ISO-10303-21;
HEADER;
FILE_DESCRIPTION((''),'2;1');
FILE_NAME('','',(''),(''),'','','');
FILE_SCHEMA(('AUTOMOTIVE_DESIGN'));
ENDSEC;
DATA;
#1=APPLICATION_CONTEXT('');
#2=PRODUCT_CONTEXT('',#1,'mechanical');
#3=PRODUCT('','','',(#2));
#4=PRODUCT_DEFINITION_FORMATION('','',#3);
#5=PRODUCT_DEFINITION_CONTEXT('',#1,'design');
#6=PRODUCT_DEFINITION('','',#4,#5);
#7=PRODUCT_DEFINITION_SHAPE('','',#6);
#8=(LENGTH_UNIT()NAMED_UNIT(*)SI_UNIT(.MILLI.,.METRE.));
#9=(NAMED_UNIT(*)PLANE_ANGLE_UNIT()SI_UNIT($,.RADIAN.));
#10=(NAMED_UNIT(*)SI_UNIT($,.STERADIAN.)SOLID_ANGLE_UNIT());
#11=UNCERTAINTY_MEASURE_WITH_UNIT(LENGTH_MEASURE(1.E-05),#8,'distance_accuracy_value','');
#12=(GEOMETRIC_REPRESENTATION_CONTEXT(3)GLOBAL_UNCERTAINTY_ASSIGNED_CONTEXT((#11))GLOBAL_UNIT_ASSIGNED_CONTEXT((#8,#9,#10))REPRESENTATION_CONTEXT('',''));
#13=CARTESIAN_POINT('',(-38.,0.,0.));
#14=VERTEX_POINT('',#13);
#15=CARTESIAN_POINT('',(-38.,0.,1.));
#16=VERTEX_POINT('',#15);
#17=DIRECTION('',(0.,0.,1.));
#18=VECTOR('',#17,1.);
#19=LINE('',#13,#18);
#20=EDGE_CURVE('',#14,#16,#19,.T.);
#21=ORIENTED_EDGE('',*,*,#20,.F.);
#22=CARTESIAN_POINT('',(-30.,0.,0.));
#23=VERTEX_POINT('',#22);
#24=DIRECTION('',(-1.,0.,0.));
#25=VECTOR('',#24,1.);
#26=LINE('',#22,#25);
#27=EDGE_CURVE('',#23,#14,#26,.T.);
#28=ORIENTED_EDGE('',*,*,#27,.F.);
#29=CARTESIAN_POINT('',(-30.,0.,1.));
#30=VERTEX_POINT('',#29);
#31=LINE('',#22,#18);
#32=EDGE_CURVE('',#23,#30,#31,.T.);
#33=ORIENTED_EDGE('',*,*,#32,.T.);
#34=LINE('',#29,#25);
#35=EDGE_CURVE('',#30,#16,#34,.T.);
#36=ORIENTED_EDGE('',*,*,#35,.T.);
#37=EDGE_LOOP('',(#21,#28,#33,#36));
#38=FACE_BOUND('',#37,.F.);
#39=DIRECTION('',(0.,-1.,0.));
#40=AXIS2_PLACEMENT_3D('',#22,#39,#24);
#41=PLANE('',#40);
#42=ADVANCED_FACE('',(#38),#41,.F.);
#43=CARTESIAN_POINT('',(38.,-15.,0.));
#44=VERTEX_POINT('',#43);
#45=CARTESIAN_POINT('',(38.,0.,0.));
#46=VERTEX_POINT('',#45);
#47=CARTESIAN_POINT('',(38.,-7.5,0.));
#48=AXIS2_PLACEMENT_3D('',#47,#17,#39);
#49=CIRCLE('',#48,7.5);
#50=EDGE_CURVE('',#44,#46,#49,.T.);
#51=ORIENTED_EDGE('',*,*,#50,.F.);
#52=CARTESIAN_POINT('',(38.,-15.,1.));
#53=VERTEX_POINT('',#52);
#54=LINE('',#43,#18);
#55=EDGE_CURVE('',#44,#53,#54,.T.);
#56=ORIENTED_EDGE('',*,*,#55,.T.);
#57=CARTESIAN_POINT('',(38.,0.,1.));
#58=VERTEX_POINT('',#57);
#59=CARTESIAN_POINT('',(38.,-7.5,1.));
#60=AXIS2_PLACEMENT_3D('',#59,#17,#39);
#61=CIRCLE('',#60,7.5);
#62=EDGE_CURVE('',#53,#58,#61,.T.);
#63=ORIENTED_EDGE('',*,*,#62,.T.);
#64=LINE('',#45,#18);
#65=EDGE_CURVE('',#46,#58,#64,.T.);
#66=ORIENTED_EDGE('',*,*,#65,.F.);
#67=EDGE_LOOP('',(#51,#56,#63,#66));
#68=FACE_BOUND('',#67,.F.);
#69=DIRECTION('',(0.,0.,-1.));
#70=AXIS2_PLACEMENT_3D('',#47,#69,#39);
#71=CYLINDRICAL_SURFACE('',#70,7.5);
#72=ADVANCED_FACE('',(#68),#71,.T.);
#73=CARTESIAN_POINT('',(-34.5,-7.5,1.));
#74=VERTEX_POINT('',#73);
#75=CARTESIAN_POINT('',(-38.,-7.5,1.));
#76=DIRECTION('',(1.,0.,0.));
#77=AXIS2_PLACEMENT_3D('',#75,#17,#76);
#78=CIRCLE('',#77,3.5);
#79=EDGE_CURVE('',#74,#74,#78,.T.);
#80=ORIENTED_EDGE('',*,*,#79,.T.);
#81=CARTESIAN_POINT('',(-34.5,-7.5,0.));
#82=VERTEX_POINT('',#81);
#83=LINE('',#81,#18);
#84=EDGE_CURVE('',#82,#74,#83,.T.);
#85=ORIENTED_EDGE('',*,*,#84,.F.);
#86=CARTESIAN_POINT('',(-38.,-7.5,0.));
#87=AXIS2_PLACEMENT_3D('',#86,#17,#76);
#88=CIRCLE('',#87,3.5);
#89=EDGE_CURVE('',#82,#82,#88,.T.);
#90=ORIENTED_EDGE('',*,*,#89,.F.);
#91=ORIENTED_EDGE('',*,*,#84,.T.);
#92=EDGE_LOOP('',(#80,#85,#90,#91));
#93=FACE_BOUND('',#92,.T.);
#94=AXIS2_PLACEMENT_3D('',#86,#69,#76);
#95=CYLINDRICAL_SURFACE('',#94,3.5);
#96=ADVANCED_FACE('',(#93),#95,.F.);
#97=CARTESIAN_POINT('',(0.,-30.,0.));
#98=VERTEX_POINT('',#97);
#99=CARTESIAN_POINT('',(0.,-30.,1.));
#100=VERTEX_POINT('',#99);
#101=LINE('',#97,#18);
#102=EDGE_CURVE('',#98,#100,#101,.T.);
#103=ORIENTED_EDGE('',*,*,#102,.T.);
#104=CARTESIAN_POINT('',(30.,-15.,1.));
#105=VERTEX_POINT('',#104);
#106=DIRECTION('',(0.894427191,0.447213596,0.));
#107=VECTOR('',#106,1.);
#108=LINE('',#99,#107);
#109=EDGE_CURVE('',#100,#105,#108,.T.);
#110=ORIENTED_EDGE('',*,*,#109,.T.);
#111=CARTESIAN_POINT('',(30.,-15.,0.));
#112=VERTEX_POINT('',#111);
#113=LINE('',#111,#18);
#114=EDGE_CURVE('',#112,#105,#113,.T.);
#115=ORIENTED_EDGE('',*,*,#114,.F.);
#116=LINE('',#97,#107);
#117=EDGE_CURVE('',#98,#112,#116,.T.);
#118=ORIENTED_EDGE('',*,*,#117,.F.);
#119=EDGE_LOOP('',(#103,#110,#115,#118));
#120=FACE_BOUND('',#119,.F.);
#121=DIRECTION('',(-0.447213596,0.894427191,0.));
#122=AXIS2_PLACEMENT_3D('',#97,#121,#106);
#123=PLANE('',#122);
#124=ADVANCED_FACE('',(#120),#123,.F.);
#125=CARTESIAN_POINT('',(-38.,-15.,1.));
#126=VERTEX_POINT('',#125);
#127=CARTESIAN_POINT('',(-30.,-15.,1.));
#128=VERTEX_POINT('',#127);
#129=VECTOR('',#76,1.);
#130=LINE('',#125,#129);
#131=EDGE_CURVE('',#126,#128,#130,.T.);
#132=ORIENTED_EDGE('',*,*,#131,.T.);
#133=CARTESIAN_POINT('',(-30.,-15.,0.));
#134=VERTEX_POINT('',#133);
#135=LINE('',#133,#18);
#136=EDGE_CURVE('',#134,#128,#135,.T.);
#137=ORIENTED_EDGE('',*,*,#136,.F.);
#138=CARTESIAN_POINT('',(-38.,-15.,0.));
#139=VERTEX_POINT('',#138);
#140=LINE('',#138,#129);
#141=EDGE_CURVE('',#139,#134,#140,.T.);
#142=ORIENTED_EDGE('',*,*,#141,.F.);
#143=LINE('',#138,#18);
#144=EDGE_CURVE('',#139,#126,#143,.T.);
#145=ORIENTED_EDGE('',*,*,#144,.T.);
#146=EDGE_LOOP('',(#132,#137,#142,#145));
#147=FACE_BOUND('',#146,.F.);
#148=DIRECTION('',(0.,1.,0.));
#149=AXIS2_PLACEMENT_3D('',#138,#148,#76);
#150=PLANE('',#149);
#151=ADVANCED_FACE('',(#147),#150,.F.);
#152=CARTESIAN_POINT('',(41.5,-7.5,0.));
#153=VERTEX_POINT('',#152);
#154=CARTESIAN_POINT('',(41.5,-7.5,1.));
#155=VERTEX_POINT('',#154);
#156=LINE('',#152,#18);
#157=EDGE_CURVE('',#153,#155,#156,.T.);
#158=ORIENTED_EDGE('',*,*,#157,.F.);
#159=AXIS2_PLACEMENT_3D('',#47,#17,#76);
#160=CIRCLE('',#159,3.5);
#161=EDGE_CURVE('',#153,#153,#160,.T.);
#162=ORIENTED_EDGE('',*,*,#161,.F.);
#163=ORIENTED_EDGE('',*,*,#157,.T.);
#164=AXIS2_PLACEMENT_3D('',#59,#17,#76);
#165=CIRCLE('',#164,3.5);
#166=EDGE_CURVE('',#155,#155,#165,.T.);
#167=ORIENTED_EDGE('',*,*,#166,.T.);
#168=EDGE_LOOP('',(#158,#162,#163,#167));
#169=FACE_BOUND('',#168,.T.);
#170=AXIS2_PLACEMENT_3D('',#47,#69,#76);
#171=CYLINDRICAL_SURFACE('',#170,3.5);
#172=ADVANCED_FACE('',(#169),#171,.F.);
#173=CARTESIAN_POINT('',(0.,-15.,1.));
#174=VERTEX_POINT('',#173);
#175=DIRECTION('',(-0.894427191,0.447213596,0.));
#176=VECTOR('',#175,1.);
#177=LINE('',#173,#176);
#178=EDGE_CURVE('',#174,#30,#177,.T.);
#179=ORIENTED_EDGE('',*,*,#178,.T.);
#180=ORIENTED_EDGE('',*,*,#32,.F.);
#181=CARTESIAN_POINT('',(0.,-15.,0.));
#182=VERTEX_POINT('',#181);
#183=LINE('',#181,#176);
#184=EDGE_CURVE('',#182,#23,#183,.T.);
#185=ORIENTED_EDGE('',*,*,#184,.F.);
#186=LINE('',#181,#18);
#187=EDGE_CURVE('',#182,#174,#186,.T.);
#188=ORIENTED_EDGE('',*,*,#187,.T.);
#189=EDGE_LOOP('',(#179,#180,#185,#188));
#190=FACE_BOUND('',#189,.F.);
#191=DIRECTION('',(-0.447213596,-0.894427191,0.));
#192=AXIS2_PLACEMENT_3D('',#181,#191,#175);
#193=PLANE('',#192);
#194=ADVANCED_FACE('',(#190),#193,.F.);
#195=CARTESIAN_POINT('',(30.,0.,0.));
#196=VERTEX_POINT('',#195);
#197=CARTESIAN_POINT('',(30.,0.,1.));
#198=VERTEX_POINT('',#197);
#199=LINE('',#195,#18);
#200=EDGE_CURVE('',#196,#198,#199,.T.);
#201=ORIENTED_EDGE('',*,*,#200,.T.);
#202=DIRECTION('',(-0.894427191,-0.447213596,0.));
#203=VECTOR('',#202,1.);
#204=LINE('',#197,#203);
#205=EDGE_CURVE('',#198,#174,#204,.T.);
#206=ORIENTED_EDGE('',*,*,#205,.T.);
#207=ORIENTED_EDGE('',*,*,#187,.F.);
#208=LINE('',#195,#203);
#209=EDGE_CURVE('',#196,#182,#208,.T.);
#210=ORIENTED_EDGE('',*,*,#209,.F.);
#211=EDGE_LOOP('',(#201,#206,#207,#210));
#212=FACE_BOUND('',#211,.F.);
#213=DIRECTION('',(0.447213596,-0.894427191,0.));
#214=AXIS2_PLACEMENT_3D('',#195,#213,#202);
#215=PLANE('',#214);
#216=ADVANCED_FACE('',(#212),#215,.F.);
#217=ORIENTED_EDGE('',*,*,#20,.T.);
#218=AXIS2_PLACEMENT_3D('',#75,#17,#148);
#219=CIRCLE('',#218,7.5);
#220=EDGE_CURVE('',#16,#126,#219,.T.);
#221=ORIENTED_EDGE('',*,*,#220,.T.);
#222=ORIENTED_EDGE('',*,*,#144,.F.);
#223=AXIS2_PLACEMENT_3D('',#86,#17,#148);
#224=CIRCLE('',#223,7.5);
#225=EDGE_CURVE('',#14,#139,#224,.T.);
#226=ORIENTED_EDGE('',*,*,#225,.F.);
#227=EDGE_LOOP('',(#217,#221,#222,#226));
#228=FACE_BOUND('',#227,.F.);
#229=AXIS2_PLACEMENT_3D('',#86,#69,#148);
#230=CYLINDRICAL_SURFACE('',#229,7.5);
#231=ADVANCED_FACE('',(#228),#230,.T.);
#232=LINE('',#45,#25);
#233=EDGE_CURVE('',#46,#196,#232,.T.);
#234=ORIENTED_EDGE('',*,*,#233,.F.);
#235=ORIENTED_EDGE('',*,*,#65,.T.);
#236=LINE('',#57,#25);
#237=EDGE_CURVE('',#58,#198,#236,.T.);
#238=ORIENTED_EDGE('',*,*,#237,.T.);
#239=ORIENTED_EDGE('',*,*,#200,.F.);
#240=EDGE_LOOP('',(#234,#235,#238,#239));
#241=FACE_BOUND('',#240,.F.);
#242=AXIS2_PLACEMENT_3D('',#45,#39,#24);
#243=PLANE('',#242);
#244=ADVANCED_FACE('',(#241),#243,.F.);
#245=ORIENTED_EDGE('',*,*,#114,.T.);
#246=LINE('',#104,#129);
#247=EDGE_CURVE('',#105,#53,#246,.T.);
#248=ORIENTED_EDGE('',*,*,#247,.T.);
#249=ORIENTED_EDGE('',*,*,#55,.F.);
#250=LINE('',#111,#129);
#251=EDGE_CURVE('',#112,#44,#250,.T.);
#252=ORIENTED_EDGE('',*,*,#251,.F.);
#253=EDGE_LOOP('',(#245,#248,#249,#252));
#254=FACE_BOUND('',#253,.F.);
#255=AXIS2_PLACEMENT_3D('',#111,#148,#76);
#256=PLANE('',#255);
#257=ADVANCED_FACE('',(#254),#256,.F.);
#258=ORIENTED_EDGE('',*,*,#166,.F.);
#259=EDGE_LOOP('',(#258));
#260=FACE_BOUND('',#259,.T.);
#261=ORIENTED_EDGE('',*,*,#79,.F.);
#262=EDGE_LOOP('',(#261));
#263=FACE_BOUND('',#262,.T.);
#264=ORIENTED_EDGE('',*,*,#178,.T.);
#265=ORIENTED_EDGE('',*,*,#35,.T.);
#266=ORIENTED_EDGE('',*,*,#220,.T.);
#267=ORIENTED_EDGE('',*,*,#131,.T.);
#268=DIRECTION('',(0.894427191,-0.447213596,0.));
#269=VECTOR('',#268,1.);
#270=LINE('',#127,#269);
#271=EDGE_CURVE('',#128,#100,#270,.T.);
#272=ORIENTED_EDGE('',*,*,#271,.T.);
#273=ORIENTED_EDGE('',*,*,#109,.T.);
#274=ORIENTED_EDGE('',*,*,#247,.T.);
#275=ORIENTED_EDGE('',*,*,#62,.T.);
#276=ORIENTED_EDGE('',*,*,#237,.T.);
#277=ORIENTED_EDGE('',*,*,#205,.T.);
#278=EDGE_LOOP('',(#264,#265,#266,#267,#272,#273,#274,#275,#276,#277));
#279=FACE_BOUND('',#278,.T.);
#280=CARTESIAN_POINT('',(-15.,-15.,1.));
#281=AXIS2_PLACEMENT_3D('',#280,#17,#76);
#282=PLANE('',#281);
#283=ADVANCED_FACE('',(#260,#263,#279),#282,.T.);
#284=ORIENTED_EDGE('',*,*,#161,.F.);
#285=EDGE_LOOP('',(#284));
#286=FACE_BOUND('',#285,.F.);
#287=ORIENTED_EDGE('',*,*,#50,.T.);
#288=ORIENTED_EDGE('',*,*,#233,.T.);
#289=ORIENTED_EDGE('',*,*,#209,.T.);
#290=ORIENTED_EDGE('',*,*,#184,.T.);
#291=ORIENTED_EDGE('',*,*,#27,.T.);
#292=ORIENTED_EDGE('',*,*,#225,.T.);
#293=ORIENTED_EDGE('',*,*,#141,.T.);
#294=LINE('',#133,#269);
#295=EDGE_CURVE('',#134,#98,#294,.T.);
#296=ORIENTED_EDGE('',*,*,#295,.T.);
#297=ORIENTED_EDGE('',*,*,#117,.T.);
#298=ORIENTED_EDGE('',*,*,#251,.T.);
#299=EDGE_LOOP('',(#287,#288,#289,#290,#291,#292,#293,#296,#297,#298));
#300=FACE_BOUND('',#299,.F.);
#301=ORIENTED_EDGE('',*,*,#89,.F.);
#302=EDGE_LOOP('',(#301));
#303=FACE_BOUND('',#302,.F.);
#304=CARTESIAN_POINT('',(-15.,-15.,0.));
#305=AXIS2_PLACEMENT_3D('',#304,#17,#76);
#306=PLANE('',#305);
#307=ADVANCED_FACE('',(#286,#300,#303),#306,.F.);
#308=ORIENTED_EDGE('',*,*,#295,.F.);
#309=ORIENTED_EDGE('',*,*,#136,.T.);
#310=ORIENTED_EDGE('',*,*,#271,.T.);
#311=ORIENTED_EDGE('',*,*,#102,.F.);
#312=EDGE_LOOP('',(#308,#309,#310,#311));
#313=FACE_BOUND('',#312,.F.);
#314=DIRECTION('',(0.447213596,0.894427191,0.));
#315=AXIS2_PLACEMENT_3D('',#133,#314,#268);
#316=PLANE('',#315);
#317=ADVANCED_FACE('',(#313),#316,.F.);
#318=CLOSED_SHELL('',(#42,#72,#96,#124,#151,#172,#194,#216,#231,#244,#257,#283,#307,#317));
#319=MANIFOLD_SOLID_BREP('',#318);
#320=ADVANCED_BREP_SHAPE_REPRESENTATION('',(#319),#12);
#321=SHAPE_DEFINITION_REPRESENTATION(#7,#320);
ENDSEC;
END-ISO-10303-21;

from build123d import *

# Parameters (mm, degrees)
F0_R     = 3.5
F1_DEPTH = 1


with BuildPart() as f1:
    # F0 (on Top) → F1 (new body)
    with BuildSketch(Plane.XY):
        Polygon((0, -15), (-30, 0), (-30, -15), (0, -30), align=None)
        Polygon((30, 0), (0, -15), (0, -30), (30, -15), align=None)
        with BuildLine():
            Line((38, 0), (30, 0))
            Line((30, 0), (30, -15))
            Line((30, -15), (38, -15))
            ThreePointArc((38, -15), (45.5, -7.5), (38, 0))
        make_face()
        with Locations((38, -7.5)):
            Circle(F0_R, mode=Mode.SUBTRACT)
        with BuildLine():
            Line((-30, -15), (-30, 0))
            Line((-30, 0), (-38, 0))
            ThreePointArc((-38, 0), (-45.5, -7.5), (-38, -15))
            Line((-38, -15), (-30, -15))
        make_face()
        with Locations((-38, -7.5)):
            Circle(F0_R, mode=Mode.SUBTRACT)
    extrude(amount=F1_DEPTH)


solid = f1.part
